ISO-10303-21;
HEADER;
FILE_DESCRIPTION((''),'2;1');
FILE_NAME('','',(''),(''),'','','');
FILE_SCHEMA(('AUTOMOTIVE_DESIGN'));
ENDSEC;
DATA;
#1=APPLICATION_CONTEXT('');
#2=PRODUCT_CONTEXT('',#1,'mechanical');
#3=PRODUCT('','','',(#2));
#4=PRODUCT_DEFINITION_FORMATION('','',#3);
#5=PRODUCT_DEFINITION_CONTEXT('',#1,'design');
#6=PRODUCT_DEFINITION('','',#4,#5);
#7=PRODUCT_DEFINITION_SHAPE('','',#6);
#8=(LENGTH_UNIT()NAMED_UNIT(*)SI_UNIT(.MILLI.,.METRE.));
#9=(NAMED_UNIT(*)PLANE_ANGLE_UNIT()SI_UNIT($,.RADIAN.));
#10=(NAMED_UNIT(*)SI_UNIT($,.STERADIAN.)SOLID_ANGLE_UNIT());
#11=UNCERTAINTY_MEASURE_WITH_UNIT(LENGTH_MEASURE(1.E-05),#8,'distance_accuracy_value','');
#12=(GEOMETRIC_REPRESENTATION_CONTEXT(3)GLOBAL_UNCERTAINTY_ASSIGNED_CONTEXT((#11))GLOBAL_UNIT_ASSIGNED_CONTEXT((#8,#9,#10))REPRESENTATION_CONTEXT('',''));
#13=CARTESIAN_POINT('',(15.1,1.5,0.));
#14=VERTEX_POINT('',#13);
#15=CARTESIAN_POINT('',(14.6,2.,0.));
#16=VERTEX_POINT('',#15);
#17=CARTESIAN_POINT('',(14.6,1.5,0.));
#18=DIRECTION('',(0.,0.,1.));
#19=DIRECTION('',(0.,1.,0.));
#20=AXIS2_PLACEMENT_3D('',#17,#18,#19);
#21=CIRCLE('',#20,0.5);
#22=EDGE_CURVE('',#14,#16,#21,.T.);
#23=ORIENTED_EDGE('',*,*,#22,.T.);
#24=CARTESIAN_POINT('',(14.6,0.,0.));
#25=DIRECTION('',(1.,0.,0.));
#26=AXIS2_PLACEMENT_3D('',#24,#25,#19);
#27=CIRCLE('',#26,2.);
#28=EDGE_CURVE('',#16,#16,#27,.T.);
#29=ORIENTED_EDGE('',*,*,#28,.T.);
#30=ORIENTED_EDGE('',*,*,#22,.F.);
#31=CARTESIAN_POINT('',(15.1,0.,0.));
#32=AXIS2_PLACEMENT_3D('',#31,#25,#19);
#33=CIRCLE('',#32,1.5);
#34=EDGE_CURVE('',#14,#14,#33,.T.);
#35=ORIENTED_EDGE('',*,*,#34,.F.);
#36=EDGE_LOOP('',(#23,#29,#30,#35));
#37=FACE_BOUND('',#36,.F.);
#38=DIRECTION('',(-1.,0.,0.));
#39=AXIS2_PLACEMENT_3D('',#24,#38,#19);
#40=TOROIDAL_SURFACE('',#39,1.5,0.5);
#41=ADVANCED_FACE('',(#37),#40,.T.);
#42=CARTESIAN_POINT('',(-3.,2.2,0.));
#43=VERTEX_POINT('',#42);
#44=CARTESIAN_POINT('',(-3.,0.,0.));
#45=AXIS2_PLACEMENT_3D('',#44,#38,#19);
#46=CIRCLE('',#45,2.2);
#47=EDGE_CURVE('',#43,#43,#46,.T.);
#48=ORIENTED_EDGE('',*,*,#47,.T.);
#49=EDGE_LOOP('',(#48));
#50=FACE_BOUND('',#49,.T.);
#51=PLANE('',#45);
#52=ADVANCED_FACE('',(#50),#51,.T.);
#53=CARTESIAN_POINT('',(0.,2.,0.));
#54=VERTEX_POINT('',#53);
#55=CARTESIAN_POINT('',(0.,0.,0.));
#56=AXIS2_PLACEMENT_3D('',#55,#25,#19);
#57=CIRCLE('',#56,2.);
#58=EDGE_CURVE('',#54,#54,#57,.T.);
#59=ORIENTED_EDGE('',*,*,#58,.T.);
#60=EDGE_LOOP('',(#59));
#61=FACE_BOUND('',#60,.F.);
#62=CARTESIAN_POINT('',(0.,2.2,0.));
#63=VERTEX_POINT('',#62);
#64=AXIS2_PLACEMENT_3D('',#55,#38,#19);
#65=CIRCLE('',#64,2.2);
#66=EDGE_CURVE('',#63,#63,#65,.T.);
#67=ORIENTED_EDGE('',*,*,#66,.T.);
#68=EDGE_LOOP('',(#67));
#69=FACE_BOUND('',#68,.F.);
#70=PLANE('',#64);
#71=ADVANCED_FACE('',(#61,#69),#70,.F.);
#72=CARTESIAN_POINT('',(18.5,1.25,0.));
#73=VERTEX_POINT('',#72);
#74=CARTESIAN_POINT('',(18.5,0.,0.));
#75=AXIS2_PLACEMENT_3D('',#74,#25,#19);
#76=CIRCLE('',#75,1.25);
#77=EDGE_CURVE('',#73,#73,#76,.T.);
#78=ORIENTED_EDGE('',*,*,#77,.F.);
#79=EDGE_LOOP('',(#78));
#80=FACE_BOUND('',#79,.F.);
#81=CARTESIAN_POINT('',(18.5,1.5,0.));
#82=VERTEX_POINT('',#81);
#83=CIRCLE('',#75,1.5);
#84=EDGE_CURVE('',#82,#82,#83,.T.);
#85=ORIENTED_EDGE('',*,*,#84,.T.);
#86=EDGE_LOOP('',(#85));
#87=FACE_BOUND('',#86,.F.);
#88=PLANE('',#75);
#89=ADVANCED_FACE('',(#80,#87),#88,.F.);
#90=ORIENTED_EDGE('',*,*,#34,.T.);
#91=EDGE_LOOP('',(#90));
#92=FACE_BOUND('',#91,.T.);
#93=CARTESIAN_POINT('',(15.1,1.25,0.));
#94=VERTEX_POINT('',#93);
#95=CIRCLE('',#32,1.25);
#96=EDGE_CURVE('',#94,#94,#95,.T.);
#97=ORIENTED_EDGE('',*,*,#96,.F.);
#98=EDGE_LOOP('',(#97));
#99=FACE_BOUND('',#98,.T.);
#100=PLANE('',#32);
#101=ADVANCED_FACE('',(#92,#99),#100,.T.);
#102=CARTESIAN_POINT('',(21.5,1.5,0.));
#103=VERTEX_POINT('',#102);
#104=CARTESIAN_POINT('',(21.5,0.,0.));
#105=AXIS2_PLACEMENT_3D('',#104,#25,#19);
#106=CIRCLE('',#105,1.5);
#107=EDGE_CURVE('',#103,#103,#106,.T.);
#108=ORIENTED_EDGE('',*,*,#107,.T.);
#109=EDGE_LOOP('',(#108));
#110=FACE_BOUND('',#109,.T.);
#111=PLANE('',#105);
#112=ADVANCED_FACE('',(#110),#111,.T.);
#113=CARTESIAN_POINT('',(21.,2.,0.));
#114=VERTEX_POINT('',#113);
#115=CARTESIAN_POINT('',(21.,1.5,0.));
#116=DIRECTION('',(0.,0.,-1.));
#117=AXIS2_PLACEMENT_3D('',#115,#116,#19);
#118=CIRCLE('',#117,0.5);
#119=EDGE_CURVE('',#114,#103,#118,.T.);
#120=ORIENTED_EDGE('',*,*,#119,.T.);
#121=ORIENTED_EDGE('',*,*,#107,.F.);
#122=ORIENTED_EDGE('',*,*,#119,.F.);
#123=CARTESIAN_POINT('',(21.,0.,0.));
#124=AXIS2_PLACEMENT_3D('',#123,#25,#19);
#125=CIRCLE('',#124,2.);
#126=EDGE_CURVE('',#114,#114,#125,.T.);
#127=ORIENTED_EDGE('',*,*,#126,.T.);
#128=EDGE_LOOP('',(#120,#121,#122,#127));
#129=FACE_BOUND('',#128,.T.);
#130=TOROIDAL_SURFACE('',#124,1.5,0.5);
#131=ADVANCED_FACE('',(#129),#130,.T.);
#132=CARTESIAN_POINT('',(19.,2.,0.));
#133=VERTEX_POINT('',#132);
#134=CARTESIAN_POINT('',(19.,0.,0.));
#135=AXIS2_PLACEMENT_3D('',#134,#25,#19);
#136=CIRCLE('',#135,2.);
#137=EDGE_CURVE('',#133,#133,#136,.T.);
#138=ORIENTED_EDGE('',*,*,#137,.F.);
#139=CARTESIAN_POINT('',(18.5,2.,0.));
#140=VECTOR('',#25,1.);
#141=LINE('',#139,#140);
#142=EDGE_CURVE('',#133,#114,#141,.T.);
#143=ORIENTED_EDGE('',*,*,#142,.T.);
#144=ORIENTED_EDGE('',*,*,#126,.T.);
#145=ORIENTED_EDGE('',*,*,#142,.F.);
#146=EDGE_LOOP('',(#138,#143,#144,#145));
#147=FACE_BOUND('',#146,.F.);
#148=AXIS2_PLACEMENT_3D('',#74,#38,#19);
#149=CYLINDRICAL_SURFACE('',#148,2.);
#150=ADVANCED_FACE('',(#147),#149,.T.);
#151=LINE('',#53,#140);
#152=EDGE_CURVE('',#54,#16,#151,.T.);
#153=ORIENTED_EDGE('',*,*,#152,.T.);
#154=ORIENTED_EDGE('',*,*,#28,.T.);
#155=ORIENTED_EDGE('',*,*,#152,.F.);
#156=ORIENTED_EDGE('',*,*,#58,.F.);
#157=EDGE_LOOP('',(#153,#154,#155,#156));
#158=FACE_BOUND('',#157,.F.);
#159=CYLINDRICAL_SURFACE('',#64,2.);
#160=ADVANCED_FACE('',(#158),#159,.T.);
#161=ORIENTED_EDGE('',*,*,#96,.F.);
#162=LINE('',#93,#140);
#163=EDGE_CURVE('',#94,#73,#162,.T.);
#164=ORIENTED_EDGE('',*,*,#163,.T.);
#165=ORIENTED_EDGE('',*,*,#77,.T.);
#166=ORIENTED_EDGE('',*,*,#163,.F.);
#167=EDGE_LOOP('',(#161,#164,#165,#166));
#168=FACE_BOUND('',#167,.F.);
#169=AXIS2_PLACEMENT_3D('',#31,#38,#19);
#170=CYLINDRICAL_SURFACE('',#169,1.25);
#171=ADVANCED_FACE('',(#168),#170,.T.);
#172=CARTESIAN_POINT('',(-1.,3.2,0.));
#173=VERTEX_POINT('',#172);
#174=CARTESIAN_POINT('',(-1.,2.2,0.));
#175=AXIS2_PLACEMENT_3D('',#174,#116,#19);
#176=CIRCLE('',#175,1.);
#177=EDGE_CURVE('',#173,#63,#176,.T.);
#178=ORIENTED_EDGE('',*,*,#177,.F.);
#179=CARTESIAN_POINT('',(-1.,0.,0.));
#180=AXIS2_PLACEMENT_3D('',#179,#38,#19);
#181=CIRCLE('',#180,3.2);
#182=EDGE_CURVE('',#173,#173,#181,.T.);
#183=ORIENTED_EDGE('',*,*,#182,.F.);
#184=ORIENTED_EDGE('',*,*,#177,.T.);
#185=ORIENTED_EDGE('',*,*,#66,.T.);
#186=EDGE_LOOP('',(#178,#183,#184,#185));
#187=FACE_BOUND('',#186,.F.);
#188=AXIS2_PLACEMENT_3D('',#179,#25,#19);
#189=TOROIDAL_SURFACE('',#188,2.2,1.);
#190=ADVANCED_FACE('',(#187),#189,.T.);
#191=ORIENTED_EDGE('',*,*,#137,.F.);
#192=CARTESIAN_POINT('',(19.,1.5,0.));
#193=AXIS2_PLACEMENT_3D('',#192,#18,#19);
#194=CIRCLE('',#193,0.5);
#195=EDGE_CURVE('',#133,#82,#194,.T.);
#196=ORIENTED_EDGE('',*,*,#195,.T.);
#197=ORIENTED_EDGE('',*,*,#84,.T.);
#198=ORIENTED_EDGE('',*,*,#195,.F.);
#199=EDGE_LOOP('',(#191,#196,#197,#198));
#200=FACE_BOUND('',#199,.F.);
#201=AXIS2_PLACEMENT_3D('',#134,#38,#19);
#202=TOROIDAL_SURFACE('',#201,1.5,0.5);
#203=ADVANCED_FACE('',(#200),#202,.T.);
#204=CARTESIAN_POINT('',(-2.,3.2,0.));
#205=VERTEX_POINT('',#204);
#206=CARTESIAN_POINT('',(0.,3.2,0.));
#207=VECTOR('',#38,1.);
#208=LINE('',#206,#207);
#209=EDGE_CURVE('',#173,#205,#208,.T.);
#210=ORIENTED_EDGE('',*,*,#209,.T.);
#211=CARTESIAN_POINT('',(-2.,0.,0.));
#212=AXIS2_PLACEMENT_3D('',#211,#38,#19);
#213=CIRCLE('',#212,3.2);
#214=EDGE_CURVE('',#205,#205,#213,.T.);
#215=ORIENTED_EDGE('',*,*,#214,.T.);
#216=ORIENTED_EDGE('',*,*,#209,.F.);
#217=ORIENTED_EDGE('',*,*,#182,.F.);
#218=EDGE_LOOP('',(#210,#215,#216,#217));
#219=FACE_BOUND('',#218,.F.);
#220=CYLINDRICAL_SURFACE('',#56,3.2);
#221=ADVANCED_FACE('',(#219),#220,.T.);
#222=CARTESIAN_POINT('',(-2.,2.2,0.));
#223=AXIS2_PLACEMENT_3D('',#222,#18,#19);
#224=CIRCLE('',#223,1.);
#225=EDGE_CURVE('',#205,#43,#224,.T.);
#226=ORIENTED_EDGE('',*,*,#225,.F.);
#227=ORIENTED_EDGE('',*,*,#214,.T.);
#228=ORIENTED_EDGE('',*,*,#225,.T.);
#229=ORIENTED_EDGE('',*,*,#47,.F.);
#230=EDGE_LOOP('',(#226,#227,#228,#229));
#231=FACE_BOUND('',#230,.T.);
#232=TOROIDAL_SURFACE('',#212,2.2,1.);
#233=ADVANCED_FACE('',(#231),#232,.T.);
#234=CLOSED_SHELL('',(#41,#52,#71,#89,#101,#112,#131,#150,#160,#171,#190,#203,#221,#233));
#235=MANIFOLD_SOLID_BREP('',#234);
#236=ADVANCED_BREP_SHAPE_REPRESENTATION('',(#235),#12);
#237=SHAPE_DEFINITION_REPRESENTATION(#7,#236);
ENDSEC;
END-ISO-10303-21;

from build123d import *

# Parameters (mm, degrees)
SKETCH_R     = 2
PAD_DEPTH    = 15.1
SKETCH001_R  = 3.2
PAD001_DEPTH = 3
SKETCH002_R  = 1.25
PAD002_DEPTH = 3.4
SKETCH003_R  = 2
PAD003_DEPTH = 3
FILLET_R     = 0.5
FILLET001_R  = 0.5
FILLET002_R  = 0.5
FILLET003_R  = 1
FILLET004_R  = 1


with BuildPart() as part:
    # Sketch → Pad (new body)
    with BuildSketch(Plane.YZ):
        Circle(SKETCH_R)
    extrude(amount=PAD_DEPTH)

    # Sketch001 → Pad001 (join)
    with BuildSketch(Plane(origin=(0, 0, 0), x_dir=(0, 1, 0), z_dir=(-1, 0, 0))):
        Circle(SKETCH001_R)
    extrude(amount=PAD001_DEPTH)

    # Sketch002 → Pad002 (join)
    with BuildSketch(Plane.YZ.offset(15.1)):
        Circle(SKETCH002_R)
    extrude(amount=PAD002_DEPTH)

    # Sketch003 → Pad003 (join)
    with BuildSketch(Plane.YZ.offset(18.5)):
        Circle(SKETCH003_R)
    extrude(amount=PAD003_DEPTH)

    # Fillet
    fillet_edges = [part.edges().sort_by_distance(p)[0] for p in [
        (18.5, -2, 0),
    ]]
    fillet(fillet_edges, radius=FILLET_R)

    # Fillet001
    fillet001_edges = [part.edges().sort_by_distance(p)[0] for p in [
        (21.5, -2, 0),
    ]]
    fillet(fillet001_edges, radius=FILLET001_R)

    # Fillet002
    fillet002_edges = [part.edges().sort_by_distance(p)[0] for p in [
        (15.1, -2, 0),
    ]]
    fillet(fillet002_edges, radius=FILLET002_R)

    # Fillet003
    fillet003_edges = [part.edges().sort_by_distance(p)[0] for p in [
        (-3, -3.2, 0),
    ]]
    fillet(fillet003_edges, radius=FILLET003_R)

    # Fillet004
    fillet004_edges = [part.edges().sort_by_distance(p)[0] for p in [
        (0, -3.2, 0),
    ]]
    fillet(fillet004_edges, radius=FILLET004_R)


solid = part.part
